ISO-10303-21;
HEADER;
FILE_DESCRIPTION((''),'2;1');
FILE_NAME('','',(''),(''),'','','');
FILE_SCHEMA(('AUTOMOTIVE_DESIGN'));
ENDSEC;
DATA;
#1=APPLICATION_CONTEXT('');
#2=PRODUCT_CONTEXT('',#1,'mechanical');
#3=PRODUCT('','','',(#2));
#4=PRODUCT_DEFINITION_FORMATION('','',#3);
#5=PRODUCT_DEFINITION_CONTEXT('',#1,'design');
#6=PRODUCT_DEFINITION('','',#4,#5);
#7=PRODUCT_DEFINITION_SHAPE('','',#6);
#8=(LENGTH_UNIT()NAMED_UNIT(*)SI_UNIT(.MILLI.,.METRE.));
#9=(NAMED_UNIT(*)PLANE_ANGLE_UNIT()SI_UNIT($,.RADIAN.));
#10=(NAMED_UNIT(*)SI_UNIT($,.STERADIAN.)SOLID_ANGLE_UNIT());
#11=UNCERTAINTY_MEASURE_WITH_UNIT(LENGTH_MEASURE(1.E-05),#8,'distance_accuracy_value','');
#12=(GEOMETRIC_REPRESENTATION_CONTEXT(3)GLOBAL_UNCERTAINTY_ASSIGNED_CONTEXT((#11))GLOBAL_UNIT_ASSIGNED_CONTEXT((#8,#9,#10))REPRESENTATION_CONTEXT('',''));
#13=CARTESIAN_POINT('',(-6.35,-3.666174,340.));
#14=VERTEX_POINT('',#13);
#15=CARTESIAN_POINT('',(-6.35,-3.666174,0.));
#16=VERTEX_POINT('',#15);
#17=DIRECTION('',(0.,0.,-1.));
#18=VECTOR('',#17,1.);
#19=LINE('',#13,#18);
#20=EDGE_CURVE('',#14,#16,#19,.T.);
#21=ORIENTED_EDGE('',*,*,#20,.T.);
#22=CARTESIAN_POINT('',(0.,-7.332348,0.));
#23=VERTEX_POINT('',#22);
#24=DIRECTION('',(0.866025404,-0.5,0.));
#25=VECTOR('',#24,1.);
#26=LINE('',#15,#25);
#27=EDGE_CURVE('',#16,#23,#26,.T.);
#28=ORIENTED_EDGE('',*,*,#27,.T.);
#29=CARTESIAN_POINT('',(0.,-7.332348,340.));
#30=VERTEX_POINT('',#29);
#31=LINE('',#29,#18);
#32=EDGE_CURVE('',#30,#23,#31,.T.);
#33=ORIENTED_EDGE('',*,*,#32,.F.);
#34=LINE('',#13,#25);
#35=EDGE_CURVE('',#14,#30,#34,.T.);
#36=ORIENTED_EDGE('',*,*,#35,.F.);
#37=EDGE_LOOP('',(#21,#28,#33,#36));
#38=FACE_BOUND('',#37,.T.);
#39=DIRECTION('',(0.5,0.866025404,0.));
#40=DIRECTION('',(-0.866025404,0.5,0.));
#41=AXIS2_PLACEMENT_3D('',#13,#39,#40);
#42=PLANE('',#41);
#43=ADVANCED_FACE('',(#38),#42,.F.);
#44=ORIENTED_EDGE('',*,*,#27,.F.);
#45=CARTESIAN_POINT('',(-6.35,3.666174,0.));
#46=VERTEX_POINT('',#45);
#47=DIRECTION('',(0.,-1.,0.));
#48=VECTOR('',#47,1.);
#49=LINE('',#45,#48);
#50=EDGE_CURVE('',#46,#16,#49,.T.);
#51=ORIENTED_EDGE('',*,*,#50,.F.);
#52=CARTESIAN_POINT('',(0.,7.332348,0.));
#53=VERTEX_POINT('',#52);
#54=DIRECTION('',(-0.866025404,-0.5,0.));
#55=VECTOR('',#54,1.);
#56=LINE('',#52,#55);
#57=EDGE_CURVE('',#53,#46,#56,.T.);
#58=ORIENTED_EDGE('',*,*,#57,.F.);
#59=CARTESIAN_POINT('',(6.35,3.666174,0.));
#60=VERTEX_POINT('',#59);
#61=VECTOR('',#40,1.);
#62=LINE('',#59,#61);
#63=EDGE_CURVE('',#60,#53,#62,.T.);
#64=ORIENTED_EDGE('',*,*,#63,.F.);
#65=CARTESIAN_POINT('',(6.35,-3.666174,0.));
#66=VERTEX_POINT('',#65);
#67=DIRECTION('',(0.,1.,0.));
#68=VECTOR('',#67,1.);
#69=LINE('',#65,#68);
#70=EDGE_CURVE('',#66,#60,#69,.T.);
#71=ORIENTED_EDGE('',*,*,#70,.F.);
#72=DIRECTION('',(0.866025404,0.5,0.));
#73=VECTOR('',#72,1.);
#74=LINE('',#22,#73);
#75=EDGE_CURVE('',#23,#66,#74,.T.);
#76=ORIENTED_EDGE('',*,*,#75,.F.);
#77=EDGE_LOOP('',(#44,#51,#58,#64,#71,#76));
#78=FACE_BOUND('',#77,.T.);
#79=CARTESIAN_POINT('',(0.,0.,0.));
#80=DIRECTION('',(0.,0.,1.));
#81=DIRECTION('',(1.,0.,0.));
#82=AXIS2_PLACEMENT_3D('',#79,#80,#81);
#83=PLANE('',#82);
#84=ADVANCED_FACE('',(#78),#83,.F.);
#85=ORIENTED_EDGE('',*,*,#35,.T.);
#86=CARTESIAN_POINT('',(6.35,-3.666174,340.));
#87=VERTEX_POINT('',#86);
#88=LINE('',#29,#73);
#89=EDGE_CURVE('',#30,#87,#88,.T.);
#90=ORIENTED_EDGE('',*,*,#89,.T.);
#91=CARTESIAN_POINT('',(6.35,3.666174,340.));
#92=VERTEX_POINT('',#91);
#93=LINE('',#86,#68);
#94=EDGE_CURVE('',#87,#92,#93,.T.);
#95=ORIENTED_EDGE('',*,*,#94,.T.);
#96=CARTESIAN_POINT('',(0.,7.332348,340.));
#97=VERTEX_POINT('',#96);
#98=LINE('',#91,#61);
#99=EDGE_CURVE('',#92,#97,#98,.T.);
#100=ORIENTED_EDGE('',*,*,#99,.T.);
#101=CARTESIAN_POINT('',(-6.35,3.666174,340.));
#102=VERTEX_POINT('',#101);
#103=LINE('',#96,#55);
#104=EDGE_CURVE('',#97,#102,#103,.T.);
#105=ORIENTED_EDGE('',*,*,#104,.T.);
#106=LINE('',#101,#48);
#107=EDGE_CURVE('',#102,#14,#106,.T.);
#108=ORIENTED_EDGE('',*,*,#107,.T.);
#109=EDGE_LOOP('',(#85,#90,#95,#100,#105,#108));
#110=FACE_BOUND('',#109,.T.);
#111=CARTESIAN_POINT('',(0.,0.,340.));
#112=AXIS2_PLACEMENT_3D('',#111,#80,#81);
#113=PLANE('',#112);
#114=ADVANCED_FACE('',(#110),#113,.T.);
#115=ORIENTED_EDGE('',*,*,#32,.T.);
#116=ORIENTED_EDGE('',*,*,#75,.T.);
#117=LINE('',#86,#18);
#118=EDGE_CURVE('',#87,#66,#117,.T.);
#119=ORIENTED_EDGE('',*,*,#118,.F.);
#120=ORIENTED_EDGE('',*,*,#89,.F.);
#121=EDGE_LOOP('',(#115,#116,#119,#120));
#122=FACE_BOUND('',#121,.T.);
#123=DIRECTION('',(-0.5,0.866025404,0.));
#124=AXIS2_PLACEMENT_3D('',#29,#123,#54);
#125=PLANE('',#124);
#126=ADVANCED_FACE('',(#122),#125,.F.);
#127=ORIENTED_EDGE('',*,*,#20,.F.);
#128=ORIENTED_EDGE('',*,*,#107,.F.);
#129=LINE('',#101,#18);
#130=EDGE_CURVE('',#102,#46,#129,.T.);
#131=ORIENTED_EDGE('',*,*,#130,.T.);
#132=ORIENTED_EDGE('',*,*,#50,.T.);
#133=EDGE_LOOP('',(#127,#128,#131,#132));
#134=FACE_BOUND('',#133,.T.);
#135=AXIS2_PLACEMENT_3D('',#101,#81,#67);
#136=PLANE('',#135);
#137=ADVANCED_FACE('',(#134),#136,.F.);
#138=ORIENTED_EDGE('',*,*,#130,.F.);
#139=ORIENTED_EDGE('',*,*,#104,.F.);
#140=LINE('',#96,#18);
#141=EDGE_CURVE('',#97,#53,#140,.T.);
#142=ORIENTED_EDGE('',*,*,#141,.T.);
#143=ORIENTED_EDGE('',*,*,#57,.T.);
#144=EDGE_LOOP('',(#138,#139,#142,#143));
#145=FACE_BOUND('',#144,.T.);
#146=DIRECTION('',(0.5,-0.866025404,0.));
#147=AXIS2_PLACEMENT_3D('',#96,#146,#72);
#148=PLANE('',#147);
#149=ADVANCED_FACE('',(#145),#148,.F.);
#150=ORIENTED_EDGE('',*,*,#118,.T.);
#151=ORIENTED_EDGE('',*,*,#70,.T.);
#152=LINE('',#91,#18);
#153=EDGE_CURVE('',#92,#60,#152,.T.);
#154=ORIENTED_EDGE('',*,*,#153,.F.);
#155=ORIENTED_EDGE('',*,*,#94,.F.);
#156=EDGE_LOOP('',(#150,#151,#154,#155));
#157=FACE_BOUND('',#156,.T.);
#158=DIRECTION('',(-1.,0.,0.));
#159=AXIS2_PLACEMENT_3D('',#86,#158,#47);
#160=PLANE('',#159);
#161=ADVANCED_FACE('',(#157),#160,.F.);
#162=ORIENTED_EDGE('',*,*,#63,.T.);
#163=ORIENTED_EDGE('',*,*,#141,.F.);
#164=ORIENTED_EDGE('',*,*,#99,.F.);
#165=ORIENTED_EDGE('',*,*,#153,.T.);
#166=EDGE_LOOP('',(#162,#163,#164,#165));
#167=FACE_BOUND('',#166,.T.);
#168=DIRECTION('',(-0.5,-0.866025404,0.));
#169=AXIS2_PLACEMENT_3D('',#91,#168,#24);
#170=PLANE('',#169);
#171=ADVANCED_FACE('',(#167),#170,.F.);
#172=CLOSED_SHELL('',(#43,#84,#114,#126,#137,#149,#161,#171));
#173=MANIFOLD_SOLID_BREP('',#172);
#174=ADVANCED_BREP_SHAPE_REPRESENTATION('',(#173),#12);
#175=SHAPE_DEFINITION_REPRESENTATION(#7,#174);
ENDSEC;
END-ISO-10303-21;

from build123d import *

# Parameters (mm, degrees)
BOSS_EXTRUDE1_DEPTH = 340


with BuildPart() as part:
    # Sketch1 → Boss-Extrude1 (new body)
    with BuildSketch(Plane.XY):
        Polygon((0, 7.332348419), (-6.35, 3.666174209), (-6.35, -3.666174209), (0, -7.332348419), (6.35, -3.666174209), (6.35, 3.666174209), align=None)
    extrude(amount=BOSS_EXTRUDE1_DEPTH)


solid = part.part
